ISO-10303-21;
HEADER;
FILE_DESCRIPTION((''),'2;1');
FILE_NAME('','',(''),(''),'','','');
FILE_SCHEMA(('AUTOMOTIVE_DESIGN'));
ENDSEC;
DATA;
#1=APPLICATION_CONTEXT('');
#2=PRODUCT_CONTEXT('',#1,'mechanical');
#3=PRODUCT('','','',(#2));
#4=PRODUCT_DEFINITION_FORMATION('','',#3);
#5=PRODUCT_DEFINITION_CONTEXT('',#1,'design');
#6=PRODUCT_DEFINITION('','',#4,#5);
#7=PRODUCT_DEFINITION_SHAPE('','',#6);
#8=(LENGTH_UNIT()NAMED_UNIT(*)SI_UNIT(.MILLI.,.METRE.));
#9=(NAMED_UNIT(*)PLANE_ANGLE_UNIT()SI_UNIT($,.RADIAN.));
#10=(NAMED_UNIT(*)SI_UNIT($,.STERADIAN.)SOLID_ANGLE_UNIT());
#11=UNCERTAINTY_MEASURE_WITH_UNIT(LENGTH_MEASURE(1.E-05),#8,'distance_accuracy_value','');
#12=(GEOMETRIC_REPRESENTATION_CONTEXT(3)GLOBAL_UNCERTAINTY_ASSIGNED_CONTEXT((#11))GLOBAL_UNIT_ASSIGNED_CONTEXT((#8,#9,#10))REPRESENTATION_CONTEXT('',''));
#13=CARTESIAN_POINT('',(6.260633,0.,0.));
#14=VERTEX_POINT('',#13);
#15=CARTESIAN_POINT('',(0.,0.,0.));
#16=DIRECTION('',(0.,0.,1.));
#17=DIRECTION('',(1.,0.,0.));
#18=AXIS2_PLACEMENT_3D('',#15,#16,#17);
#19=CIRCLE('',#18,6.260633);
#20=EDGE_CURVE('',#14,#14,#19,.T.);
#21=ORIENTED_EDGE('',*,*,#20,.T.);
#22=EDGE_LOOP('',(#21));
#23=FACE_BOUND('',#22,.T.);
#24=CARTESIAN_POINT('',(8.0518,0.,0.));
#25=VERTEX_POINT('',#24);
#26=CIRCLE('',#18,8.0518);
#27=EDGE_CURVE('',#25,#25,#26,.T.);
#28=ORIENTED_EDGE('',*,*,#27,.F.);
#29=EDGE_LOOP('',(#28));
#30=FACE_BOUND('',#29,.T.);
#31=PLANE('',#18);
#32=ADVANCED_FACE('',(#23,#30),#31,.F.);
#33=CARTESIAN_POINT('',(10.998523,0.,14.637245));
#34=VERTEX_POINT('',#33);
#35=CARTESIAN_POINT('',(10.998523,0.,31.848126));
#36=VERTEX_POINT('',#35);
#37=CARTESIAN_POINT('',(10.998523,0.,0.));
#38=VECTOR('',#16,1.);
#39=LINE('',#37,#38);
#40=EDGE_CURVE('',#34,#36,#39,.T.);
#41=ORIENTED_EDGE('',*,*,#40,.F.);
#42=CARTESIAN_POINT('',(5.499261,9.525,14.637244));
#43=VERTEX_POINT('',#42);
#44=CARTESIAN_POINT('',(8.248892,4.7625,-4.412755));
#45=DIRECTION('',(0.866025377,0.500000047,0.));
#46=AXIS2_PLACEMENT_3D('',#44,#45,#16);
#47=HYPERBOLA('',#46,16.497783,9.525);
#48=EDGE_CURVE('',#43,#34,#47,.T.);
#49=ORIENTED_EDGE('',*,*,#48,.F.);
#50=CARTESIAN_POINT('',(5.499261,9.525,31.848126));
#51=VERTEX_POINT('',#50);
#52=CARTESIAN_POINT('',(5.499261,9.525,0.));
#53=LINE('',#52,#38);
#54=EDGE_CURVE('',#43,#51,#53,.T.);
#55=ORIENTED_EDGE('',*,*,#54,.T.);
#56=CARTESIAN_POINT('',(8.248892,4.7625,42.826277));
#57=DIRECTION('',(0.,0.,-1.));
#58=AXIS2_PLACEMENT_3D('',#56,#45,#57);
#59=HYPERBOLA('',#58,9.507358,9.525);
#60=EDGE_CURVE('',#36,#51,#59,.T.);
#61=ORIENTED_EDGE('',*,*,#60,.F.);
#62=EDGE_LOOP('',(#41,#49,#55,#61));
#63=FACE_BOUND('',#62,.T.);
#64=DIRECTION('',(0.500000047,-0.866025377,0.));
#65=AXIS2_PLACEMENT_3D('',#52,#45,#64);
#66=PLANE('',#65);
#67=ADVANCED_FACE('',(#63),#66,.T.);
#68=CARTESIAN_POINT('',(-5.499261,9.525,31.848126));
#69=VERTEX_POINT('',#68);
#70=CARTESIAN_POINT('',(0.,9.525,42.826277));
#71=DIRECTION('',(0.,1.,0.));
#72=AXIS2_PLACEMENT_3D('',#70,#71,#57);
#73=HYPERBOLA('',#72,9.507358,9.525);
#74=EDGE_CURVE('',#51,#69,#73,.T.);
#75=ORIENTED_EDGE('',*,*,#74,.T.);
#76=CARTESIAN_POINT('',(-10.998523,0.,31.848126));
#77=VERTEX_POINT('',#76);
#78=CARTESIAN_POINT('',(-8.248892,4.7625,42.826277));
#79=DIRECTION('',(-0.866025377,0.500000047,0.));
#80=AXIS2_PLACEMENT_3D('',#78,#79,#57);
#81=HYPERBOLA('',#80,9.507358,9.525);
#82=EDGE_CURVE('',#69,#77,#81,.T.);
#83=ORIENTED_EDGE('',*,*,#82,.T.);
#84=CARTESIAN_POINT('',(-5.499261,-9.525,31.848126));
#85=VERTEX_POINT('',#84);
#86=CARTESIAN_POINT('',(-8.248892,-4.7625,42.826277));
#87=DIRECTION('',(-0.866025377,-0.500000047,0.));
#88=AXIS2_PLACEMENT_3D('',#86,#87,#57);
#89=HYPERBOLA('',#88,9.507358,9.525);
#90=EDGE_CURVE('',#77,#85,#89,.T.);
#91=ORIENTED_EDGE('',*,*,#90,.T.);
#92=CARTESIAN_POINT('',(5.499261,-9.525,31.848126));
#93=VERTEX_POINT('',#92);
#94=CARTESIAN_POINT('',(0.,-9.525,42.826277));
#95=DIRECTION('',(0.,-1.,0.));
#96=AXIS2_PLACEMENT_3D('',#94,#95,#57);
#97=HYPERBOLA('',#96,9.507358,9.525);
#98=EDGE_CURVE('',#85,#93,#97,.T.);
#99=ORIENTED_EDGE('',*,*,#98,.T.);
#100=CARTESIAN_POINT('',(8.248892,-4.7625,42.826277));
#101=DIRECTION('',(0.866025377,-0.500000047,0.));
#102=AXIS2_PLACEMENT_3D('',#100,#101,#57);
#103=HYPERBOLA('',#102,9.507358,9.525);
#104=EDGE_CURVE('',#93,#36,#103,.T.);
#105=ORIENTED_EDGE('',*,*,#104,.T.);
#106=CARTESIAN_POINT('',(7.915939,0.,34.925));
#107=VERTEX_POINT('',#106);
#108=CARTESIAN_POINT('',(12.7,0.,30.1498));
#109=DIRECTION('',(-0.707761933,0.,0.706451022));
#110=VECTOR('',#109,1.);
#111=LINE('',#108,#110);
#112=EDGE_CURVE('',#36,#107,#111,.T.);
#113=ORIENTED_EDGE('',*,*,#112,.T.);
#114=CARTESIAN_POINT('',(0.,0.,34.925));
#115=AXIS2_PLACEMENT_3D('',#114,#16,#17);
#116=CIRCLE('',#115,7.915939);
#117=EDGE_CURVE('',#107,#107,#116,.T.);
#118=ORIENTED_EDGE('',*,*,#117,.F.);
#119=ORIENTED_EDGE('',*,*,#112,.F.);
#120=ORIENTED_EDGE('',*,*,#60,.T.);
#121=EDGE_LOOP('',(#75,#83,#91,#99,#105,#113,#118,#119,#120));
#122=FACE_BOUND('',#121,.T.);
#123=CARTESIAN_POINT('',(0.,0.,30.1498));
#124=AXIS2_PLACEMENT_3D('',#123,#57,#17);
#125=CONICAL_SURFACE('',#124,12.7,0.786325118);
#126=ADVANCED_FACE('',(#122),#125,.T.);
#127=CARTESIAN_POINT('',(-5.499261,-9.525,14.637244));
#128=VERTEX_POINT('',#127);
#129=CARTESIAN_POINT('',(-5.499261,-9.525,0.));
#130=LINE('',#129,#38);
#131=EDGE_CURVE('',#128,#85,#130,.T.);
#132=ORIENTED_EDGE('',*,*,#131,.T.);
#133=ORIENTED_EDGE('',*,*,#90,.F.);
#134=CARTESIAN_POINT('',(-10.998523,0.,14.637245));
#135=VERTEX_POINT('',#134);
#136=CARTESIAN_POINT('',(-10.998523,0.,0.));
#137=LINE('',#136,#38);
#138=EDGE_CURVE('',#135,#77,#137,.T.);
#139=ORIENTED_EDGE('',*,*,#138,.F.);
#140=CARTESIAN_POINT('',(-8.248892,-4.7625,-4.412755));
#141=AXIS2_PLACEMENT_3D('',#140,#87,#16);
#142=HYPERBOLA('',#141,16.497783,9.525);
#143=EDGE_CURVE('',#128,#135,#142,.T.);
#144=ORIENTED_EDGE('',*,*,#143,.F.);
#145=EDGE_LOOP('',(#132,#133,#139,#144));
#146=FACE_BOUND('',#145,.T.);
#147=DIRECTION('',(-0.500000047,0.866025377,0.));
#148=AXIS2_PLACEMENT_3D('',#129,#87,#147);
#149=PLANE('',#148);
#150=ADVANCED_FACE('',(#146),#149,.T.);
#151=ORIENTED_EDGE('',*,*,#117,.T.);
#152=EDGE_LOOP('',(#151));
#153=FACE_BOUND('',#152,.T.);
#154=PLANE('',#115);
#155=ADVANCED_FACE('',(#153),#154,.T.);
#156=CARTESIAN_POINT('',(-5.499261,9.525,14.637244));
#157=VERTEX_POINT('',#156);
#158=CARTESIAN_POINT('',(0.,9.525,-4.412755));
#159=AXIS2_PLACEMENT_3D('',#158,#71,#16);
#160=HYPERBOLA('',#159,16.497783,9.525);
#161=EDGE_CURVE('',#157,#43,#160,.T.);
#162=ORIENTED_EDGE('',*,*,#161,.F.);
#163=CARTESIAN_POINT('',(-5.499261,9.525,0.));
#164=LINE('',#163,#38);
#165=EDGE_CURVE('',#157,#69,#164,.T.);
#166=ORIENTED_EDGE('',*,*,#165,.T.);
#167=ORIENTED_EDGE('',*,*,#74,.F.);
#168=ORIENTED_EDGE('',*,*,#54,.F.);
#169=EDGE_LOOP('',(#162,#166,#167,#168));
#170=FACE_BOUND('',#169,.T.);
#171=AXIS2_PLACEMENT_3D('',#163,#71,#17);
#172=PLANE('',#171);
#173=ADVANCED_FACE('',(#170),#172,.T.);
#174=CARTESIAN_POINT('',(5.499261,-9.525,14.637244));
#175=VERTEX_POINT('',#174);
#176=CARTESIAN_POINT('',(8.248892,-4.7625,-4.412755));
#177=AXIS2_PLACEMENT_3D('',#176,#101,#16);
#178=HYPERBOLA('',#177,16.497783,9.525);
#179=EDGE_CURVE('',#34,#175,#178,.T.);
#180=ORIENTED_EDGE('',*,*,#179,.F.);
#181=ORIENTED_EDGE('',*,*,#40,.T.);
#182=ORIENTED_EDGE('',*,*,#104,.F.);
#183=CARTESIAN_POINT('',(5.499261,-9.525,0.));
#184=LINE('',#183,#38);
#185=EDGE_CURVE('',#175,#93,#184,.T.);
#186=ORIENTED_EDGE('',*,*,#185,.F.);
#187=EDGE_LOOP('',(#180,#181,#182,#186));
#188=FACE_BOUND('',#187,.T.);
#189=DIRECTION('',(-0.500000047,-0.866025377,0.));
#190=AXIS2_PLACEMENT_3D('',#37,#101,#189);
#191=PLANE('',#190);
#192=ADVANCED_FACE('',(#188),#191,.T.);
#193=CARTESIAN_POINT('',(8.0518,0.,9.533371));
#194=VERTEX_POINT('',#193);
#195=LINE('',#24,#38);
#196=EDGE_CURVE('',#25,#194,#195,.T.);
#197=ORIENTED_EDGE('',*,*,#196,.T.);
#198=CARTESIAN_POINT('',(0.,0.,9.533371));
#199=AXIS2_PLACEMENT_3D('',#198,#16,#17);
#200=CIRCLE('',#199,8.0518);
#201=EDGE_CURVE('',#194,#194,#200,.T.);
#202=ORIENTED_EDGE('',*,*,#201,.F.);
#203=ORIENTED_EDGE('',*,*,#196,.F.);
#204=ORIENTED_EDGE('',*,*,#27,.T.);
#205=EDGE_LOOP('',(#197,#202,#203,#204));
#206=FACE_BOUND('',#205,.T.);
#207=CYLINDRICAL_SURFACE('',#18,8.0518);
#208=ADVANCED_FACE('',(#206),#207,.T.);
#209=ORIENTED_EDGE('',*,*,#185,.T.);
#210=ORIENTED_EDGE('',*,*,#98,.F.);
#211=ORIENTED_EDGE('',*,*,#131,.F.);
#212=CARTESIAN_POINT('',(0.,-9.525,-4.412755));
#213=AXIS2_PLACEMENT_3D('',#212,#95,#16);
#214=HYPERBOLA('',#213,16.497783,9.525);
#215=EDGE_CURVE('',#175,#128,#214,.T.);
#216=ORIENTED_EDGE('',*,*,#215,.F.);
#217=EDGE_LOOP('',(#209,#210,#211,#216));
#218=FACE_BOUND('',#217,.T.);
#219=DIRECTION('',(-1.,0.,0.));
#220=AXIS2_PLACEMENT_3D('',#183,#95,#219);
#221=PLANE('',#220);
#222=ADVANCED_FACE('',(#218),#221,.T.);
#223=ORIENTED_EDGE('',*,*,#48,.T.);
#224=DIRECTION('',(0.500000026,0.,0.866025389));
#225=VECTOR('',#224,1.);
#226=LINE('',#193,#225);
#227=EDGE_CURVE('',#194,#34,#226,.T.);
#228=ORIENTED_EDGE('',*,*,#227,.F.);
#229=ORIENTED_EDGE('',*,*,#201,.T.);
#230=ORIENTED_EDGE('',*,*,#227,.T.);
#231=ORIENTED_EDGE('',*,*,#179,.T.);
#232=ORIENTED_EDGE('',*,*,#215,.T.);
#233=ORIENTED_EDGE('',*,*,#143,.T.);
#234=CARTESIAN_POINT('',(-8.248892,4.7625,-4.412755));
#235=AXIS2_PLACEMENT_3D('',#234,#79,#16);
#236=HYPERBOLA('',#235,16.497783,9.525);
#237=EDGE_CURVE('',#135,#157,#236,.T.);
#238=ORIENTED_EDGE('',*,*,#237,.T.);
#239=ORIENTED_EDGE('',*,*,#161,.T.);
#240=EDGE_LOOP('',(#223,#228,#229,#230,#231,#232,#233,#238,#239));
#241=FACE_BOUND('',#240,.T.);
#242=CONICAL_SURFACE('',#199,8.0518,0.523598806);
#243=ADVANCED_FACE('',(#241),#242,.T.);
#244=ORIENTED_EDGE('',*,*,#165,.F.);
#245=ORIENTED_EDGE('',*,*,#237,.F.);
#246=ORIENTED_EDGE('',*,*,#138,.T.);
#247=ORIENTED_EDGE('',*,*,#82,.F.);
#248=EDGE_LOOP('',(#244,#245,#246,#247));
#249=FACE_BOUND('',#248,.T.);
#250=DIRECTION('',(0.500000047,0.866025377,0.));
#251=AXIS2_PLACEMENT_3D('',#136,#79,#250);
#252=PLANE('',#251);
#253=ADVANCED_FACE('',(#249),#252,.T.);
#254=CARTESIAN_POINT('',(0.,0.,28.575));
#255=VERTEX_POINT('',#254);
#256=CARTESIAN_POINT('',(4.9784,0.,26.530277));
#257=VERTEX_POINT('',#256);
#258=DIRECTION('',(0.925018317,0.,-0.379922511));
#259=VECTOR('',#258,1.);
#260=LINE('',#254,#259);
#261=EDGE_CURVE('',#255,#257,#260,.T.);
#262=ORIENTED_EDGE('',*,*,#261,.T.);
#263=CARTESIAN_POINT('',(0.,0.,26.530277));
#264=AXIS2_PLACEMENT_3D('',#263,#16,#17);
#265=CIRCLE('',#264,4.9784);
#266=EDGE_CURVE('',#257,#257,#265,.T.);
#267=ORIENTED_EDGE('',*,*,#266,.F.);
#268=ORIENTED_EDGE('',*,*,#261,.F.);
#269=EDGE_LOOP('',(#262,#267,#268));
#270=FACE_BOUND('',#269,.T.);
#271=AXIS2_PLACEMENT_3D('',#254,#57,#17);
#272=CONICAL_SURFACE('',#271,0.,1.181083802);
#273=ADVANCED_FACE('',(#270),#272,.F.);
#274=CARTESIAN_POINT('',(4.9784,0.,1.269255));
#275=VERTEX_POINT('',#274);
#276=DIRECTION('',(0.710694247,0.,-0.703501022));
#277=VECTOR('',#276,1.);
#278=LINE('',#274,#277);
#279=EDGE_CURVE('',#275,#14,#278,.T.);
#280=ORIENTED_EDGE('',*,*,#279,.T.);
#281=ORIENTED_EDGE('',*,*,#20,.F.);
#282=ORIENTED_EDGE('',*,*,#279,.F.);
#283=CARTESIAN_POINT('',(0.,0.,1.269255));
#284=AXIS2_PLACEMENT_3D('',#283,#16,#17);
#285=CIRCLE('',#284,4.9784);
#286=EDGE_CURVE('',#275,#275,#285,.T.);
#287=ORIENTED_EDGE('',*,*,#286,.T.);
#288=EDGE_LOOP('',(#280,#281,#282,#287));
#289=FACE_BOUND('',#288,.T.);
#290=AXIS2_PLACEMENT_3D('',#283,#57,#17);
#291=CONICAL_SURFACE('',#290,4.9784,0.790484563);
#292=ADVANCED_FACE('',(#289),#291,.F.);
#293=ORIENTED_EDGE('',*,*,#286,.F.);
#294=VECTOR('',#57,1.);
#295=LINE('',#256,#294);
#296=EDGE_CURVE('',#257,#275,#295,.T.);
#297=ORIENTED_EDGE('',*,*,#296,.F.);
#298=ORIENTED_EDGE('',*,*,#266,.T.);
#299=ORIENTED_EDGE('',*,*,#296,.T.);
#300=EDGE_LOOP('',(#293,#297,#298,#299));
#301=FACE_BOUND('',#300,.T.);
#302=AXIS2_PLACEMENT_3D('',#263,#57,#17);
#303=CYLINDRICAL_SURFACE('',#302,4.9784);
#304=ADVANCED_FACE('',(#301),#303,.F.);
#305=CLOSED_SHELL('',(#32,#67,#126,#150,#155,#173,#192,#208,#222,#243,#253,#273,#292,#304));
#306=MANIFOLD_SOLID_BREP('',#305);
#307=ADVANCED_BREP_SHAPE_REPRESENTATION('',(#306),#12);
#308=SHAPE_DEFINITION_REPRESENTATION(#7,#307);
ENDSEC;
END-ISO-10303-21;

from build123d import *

# Parameters (mm, degrees)
F2_R     = 15.24
F3_DEPTH = 38.1


with BuildPart() as f1:
    # F0 (on Front) → F1 (revolve)
    with BuildSketch(Plane.XZ):
        Polygon((6.260633, 0), (8.0518, 0), (8.0518, 9.533371), (12.7, 17.584289), (12.7, 30.1498), (7.915939, 34.925), (0, 34.925), (0, 28.575), (4.9784, 26.530277), (4.9784, 1.269255), align=None)
    revolve(axis=Axis((0, 0, 14.2875), (0, 0, 1)))

    # F2 (on Top) → F3 (cut)
    with BuildSketch(Plane.XY):
        Circle(F2_R)
        Polygon((10.998523, 0), (5.499261, -9.525), (-5.499261, -9.525), (-10.998523, 0), (-5.499261, 9.525), (5.499261, 9.525), align=None, mode=Mode.SUBTRACT)
    extrude(amount=F3_DEPTH, mode=Mode.SUBTRACT)


solid = f1.part
